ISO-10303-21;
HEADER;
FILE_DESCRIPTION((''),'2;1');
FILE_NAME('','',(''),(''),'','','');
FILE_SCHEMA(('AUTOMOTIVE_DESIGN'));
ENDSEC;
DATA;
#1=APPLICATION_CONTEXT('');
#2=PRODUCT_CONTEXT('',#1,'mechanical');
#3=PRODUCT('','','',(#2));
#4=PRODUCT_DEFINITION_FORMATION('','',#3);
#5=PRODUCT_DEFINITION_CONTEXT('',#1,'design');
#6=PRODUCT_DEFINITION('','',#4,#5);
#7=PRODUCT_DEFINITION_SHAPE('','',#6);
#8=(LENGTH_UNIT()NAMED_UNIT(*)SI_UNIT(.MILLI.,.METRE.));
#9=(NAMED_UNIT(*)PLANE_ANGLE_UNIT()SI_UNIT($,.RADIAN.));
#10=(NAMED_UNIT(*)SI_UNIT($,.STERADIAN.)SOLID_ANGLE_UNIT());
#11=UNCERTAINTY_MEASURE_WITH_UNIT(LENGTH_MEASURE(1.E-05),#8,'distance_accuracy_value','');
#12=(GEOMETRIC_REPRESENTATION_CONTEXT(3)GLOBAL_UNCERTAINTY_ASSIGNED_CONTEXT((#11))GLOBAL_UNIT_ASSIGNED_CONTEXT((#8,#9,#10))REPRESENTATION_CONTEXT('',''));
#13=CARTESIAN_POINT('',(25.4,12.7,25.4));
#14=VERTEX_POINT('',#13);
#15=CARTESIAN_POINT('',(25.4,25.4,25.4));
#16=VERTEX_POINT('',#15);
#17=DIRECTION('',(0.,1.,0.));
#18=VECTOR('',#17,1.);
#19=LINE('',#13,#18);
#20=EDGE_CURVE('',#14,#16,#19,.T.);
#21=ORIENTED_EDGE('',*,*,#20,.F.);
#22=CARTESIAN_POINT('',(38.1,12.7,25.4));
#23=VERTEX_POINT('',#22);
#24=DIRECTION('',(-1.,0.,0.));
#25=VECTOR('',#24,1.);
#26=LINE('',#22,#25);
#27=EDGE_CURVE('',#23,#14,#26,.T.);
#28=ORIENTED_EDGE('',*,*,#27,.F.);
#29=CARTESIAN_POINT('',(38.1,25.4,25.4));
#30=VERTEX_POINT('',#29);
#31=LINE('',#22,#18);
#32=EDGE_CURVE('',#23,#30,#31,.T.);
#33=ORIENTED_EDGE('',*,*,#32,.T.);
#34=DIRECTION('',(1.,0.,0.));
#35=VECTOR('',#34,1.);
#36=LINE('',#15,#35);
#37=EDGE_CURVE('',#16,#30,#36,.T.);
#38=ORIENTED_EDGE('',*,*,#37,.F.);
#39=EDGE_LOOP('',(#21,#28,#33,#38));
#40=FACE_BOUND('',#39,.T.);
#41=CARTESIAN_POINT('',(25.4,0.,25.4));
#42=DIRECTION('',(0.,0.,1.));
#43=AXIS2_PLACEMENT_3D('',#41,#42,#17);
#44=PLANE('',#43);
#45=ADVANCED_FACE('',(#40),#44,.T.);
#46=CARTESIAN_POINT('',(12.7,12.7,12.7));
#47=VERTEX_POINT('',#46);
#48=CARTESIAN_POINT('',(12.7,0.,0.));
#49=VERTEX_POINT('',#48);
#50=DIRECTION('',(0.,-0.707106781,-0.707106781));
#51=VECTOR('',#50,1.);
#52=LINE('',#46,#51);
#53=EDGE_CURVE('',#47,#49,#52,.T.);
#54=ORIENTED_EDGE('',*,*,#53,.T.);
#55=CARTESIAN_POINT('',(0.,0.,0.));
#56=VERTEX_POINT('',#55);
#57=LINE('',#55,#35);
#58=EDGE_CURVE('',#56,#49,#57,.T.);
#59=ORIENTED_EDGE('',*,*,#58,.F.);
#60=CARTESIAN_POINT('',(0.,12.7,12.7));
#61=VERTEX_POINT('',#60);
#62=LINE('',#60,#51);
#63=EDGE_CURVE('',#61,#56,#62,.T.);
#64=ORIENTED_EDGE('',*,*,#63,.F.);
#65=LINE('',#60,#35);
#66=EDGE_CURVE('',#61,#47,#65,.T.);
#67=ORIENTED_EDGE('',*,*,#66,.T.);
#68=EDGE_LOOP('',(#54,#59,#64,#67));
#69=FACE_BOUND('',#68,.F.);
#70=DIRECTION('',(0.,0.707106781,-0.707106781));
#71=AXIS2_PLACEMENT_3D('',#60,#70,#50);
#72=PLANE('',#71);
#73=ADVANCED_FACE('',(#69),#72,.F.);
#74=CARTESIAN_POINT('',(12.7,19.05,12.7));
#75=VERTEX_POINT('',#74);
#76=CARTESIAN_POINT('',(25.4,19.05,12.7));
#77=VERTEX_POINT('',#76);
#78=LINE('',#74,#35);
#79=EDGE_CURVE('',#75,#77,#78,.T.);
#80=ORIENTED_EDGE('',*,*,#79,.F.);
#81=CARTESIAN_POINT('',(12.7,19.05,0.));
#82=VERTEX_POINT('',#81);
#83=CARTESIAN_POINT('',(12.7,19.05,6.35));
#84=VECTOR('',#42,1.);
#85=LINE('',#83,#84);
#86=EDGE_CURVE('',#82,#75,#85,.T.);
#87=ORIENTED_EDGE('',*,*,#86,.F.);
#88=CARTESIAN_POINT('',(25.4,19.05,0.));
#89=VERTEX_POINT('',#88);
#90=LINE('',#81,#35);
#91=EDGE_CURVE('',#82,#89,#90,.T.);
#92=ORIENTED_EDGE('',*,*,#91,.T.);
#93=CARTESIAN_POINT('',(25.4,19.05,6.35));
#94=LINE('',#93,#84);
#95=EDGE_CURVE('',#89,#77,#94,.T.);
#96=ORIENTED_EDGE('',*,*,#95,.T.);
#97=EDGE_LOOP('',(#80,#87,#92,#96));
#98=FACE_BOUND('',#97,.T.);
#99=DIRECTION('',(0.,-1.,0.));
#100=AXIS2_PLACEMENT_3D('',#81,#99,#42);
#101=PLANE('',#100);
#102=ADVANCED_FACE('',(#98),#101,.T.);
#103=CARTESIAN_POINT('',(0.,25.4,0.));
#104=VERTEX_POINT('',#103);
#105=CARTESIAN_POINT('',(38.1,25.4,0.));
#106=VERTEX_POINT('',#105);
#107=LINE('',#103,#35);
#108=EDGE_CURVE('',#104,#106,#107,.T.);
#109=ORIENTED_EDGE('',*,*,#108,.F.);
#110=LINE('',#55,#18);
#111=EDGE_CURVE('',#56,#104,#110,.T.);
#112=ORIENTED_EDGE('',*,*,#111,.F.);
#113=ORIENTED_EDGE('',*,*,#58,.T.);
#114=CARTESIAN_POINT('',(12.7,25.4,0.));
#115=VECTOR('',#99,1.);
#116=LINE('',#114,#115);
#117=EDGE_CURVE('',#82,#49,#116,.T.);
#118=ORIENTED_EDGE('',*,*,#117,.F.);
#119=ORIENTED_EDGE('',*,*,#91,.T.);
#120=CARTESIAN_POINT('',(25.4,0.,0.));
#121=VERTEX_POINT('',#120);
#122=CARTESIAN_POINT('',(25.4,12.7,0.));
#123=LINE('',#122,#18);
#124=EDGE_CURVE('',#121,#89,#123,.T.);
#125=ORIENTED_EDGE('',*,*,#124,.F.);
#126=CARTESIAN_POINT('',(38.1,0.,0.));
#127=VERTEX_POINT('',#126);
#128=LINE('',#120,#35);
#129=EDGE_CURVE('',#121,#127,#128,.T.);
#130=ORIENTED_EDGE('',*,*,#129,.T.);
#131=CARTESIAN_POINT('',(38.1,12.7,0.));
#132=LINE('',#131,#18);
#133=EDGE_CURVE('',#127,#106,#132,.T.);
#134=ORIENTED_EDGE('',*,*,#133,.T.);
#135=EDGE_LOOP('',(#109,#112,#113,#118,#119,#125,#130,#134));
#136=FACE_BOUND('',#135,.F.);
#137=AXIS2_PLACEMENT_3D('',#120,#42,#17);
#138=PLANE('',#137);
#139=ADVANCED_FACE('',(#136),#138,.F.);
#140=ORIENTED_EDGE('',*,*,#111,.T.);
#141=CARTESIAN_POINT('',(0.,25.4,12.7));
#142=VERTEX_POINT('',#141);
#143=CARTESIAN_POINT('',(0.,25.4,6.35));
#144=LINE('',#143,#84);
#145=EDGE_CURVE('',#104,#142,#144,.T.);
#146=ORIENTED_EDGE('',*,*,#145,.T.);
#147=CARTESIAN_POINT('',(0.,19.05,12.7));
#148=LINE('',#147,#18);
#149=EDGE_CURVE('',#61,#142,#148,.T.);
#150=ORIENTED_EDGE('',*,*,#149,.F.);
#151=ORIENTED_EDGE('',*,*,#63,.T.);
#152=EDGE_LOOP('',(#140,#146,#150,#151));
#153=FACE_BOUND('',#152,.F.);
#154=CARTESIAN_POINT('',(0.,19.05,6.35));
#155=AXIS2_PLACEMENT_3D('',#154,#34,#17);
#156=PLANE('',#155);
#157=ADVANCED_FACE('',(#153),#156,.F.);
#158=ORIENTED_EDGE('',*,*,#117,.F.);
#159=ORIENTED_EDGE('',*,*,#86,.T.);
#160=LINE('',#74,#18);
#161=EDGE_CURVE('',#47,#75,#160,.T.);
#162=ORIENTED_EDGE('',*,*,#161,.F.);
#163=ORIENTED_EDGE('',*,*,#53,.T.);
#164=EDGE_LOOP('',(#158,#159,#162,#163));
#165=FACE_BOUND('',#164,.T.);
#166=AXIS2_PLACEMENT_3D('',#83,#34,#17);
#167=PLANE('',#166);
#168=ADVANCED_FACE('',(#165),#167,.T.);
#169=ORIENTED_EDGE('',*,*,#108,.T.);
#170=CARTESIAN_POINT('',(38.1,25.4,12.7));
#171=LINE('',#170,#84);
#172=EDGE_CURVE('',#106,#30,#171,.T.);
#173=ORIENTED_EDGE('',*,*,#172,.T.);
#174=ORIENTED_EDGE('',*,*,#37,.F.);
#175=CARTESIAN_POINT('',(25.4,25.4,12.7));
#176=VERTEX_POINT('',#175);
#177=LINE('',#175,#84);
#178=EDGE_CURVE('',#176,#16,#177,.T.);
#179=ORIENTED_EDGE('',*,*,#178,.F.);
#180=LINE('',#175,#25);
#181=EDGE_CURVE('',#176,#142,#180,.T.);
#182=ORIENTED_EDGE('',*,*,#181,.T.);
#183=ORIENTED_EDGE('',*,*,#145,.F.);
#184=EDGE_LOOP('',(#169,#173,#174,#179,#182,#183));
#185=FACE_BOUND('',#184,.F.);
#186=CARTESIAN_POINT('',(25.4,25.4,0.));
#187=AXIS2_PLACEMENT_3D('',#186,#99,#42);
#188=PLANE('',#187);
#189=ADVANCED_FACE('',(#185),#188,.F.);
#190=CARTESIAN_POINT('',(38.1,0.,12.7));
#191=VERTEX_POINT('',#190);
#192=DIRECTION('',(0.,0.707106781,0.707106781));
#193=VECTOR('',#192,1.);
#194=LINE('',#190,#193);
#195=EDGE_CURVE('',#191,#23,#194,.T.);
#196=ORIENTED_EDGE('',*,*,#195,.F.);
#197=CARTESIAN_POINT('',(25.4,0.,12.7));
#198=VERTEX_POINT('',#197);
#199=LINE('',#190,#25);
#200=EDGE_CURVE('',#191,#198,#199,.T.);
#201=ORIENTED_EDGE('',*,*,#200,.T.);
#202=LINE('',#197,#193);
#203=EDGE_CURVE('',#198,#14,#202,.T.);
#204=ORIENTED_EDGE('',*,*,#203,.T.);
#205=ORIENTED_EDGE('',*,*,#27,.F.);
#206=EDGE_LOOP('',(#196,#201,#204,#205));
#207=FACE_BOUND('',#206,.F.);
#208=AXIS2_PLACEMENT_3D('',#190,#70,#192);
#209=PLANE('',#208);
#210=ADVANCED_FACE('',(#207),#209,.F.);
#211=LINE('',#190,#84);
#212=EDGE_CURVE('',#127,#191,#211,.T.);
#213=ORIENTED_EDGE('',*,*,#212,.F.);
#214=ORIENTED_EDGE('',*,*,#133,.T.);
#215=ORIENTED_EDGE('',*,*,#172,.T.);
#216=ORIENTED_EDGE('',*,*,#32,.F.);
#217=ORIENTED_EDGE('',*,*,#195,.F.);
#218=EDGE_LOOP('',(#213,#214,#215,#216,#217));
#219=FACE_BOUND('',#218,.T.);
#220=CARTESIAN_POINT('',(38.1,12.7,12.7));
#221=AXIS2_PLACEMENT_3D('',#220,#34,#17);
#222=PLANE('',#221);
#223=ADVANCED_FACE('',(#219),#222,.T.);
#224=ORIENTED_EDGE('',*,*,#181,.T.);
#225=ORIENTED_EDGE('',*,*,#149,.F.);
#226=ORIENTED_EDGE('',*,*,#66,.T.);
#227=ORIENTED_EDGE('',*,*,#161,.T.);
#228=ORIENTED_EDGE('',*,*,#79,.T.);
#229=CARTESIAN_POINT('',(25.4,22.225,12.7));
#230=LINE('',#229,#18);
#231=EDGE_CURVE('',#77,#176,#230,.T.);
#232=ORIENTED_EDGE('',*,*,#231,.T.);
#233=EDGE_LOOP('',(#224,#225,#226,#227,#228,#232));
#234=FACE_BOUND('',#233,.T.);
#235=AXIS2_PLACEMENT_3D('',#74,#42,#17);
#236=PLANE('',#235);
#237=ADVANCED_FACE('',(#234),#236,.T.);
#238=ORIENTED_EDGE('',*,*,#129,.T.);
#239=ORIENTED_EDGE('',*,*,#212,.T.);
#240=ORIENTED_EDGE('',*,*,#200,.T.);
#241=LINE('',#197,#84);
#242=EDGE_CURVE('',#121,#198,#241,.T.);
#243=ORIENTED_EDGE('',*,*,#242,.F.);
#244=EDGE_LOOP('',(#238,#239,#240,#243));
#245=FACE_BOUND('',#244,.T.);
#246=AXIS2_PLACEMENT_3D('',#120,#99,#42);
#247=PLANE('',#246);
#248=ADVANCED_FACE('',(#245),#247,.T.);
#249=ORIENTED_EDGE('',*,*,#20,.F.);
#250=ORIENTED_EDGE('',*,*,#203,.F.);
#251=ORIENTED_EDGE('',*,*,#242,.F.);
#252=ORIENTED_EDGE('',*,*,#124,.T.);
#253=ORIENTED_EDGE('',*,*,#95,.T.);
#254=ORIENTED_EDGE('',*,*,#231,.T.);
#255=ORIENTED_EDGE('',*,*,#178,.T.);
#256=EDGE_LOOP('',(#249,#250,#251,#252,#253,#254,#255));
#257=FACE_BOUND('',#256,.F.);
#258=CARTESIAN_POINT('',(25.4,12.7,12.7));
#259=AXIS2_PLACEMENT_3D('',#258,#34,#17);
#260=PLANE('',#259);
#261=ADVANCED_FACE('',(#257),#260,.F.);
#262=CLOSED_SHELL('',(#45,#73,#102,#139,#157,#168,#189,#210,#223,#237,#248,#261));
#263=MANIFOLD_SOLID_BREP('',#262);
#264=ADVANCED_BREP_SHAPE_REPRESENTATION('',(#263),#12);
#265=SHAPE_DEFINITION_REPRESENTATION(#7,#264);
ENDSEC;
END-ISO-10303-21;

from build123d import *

# Parameters (mm, degrees)
F1_DEPTH = 12.7
F2_W     = 12.7
F2_H     = 12.7
F3_DEPTH = 12.7
F4_W     = 6.35
F4_H     = 12.7
F5_DEPTH = 12.7
F6_W     = 25.4
F6_H     = 25.4
F7_DEPTH = 12.7
F9_DEPTH = 12.7


with BuildPart() as f1:
    # F0 (on Right) → F1 (new body)
    with BuildSketch(Plane.YZ):
        Polygon((12.7, 12.7), (0, 0), (12.7, 0), align=None)
    extrude(amount=F1_DEPTH)

    # F2 (on Right) → F3 (join)
    with BuildSketch(Plane.YZ):
        with Locations((19.05, 6.35)):
            Rectangle(F2_W, F2_H)
    extrude(amount=F3_DEPTH)

    # F4 (on face) → F5 (join)
    with BuildSketch(Plane.YZ.offset(12.7)):
        with Locations((22.225, 6.35)):
            Rectangle(F4_W, F4_H)
    extrude(amount=F5_DEPTH)

    # F6 (on face) → F7 (join)
    with BuildSketch(Plane.YZ.offset(25.4)):
        with Locations((12.7, 12.7)):
            Rectangle(F6_W, F6_H)
    extrude(amount=F7_DEPTH)

    # F8 (on face) → F9 (cut)
    with BuildSketch(Plane.YZ.offset(38.1)):
        Polygon((0, 25.4), (0, 12.7), (12.7, 25.4), align=None)
    extrude(amount=-F9_DEPTH, mode=Mode.SUBTRACT)


solid = f1.part
